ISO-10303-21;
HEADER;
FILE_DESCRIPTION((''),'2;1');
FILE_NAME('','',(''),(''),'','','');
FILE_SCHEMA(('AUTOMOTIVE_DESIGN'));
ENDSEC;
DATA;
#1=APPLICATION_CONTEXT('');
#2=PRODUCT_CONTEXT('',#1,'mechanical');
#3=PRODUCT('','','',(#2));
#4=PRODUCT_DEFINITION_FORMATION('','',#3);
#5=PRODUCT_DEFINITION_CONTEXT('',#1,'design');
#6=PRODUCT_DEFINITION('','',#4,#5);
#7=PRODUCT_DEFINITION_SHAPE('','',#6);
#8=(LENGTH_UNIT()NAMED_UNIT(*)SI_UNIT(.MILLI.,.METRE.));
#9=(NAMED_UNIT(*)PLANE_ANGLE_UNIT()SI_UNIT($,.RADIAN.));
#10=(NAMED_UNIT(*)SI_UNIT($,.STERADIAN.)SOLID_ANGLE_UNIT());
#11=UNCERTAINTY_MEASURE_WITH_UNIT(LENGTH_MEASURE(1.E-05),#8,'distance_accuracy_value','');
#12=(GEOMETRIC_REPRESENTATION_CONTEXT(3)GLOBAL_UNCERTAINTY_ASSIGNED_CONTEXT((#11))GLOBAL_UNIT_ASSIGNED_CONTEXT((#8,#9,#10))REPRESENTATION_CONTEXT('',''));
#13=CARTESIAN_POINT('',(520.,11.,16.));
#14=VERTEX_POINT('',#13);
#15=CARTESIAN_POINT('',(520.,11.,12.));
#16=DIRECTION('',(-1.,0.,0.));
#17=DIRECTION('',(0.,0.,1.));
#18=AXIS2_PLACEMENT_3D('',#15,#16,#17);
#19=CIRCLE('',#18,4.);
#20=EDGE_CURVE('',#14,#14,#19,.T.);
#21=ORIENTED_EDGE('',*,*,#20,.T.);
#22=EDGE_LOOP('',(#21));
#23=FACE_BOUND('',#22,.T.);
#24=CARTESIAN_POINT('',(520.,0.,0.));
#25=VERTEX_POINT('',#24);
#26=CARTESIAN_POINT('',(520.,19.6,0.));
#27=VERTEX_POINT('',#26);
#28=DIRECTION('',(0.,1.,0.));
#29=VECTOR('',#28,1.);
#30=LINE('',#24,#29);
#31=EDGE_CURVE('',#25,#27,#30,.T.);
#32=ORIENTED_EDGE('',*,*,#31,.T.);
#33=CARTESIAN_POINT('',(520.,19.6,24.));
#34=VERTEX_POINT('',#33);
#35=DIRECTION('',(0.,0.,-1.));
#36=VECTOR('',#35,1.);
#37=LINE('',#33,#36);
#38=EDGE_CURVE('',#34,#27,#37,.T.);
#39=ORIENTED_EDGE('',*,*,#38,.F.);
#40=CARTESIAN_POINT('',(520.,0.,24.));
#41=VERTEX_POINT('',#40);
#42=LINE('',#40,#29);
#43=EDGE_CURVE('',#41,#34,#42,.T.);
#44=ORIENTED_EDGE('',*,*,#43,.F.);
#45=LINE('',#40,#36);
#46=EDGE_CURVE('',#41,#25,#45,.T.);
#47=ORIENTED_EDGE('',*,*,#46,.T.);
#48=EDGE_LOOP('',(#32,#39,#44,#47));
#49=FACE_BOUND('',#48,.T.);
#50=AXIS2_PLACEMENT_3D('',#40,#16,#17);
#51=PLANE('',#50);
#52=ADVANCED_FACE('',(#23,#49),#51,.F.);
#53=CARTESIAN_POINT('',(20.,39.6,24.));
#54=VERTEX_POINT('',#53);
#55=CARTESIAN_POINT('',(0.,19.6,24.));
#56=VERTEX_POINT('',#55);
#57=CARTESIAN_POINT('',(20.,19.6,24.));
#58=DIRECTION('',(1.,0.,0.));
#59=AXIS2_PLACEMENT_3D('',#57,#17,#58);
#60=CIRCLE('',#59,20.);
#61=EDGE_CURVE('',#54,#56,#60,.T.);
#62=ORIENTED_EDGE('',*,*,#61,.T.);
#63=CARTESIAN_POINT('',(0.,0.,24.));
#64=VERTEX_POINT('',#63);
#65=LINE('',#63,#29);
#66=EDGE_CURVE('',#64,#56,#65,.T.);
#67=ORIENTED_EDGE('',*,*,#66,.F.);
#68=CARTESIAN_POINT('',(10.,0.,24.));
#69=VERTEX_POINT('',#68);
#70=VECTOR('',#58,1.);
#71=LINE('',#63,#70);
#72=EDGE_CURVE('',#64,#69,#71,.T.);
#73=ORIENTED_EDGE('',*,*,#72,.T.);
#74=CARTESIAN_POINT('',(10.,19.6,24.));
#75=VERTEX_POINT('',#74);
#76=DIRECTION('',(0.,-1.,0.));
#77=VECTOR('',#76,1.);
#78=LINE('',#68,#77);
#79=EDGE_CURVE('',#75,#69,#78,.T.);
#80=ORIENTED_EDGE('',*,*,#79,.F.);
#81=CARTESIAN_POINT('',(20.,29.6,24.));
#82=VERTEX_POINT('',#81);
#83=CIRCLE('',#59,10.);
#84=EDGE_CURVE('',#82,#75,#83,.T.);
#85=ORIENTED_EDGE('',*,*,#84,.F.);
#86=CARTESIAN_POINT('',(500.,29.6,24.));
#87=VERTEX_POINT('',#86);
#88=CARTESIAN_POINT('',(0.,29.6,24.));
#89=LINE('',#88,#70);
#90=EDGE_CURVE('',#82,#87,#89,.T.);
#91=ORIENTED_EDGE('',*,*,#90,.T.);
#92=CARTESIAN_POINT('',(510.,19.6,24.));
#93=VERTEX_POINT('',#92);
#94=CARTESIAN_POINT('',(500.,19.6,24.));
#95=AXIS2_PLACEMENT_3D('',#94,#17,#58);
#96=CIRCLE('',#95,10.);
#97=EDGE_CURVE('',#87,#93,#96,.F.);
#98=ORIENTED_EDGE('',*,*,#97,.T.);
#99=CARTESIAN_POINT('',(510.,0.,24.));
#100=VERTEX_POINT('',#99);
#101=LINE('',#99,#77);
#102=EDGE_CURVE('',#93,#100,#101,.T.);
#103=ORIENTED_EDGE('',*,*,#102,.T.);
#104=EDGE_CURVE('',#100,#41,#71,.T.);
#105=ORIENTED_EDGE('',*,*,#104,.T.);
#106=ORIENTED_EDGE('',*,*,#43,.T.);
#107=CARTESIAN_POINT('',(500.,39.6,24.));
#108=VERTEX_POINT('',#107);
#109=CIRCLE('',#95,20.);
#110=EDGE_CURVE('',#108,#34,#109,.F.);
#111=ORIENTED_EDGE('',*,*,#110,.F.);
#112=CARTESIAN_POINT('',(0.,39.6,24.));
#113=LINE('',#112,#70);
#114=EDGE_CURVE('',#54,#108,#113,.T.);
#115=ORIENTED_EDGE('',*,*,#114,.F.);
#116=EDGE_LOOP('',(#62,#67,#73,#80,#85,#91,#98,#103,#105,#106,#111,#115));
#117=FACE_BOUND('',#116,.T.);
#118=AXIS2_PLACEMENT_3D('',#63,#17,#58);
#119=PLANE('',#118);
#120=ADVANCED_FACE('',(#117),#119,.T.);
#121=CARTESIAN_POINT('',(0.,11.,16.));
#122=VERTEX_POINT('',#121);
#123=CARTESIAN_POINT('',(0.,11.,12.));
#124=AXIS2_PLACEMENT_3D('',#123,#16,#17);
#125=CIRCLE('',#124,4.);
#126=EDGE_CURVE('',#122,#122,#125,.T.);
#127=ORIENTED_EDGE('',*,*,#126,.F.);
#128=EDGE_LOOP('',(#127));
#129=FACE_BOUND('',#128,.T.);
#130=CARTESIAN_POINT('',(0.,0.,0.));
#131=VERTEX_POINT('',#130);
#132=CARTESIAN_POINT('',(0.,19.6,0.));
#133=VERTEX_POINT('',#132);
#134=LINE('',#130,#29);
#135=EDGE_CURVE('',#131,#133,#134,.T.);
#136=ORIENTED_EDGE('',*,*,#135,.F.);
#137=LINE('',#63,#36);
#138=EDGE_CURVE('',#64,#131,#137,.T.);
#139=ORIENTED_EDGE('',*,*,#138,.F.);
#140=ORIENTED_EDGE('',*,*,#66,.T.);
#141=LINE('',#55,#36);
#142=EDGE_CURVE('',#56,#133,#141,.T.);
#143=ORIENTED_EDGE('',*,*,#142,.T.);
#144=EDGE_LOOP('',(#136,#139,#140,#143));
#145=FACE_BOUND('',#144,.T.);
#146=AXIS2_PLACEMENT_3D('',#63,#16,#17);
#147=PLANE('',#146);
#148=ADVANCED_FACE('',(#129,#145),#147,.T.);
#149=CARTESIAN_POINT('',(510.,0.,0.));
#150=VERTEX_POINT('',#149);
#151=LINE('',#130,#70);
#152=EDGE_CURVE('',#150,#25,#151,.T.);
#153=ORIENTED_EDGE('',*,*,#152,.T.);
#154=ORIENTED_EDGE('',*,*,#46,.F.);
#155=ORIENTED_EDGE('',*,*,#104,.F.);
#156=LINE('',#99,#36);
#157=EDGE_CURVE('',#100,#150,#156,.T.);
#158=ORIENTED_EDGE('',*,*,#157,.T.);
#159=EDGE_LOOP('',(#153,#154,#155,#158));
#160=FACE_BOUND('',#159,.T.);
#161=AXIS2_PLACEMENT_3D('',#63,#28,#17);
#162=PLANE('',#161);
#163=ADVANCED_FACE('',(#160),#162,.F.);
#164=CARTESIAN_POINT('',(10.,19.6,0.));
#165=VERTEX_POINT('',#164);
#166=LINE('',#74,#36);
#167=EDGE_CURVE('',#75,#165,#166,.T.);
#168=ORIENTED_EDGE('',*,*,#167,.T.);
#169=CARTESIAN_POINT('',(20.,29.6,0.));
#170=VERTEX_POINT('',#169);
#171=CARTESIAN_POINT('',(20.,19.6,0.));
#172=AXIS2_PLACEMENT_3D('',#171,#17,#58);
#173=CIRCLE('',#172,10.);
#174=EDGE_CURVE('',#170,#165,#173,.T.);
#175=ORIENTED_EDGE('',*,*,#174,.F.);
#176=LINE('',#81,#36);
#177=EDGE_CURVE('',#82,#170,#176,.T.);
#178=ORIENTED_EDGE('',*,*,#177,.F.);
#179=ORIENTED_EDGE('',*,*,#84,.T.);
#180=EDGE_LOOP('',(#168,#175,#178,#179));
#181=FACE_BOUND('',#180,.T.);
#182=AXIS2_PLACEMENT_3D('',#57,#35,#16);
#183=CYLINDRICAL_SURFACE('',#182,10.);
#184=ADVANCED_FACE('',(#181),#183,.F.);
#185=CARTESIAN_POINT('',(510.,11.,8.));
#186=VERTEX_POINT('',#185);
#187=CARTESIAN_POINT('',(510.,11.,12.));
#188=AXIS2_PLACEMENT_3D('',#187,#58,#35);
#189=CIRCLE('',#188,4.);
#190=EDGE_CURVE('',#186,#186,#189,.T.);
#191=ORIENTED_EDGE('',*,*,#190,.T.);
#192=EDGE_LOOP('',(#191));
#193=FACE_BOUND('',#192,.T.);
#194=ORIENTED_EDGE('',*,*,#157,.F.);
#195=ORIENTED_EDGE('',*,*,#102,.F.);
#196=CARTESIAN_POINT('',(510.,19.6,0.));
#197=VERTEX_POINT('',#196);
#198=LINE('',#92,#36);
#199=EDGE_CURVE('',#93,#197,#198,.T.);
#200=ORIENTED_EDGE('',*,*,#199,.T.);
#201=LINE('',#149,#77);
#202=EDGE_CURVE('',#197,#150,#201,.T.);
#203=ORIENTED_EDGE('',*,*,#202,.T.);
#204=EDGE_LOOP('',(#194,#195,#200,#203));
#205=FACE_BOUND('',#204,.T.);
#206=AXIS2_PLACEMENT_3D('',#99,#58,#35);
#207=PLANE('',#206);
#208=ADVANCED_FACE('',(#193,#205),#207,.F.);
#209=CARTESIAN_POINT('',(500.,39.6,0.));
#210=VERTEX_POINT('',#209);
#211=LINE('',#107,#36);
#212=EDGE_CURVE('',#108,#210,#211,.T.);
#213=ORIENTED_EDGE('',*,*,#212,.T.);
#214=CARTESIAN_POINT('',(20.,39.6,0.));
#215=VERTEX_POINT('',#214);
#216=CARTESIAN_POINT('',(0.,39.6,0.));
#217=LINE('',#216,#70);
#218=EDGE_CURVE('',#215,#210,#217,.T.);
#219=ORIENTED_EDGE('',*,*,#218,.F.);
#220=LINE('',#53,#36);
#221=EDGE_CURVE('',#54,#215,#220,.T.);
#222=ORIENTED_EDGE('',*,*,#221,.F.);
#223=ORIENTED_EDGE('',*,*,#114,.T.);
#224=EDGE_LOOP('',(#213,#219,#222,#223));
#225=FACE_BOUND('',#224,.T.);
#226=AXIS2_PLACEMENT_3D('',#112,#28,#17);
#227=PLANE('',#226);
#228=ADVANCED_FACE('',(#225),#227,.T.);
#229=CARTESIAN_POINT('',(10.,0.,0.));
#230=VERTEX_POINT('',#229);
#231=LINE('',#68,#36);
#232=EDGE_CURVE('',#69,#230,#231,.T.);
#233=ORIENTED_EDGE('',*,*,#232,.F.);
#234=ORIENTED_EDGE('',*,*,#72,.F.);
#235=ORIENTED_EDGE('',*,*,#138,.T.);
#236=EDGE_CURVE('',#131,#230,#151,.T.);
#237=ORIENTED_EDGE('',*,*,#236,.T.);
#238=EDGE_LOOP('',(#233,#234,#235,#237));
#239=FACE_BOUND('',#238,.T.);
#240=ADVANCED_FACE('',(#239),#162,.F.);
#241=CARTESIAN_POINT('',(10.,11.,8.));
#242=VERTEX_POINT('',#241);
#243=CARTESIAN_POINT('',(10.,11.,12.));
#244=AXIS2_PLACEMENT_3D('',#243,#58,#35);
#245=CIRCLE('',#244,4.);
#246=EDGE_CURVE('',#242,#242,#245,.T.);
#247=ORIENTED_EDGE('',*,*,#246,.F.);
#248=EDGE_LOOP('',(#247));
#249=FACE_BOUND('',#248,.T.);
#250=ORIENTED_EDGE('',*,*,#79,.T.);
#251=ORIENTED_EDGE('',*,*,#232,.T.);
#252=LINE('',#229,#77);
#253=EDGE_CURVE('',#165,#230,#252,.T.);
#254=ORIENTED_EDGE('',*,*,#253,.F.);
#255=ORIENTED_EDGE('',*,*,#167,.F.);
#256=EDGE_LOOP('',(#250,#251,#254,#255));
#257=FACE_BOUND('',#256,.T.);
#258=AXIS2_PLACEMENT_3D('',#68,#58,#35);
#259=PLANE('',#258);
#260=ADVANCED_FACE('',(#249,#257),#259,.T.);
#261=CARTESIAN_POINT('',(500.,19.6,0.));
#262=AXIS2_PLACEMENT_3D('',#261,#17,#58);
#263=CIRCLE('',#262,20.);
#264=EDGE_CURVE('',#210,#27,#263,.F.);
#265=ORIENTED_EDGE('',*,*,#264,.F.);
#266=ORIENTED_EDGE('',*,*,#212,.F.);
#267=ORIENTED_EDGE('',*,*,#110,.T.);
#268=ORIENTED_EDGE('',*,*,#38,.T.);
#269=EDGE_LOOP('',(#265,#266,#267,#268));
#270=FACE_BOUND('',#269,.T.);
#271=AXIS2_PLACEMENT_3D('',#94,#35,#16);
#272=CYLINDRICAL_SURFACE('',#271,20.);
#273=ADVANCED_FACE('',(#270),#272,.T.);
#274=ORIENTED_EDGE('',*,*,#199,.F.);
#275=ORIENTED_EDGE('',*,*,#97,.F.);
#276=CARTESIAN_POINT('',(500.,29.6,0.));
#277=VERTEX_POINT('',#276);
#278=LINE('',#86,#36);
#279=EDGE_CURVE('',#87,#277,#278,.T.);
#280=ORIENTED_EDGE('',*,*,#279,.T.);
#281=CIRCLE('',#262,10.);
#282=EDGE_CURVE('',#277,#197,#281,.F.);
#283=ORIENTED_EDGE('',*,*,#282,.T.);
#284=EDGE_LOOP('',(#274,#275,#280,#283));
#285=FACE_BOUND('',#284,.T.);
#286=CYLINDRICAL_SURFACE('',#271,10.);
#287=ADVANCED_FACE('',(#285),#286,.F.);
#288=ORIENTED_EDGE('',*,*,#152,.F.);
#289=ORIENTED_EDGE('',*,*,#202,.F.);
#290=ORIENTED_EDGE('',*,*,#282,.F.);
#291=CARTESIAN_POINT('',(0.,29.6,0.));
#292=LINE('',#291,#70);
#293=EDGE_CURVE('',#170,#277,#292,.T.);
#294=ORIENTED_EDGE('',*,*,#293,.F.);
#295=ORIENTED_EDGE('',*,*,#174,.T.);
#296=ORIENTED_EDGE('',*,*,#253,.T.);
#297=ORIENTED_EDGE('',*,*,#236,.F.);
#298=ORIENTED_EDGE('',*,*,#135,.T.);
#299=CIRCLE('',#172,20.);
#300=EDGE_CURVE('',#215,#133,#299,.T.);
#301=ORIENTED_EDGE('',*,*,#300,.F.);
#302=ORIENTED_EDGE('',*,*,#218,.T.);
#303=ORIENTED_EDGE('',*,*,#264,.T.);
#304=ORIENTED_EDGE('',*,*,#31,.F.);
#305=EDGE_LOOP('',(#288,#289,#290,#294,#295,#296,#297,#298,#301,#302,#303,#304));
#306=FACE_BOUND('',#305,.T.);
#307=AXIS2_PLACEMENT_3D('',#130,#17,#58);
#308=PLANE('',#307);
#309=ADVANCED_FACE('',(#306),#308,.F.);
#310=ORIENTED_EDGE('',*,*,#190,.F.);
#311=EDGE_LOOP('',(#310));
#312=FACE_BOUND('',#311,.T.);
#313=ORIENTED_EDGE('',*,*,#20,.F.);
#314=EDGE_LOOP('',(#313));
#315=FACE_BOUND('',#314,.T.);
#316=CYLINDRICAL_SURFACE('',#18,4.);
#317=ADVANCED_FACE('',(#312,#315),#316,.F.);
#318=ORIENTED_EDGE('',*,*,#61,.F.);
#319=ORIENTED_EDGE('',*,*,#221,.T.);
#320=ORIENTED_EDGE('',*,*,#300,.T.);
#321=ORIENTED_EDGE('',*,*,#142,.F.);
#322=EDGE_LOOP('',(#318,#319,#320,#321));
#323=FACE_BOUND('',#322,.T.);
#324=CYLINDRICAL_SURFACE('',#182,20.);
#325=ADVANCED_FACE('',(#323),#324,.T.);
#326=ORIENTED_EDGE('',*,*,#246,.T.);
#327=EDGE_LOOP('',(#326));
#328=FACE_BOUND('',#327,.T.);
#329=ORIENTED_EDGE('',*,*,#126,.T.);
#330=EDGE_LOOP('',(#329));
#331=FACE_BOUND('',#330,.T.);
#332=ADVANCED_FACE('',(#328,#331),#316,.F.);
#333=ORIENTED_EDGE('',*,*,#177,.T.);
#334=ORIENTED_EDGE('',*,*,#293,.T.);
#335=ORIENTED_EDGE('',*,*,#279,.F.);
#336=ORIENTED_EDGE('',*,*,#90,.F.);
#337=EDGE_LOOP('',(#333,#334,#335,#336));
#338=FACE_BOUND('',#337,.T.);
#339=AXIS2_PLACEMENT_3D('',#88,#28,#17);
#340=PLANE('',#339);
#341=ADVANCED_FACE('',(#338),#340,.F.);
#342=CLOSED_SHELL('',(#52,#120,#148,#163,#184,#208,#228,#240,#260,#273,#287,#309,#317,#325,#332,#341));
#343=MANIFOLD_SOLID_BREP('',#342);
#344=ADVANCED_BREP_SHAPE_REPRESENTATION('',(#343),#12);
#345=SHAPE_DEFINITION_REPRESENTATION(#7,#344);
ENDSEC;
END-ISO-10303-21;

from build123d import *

# Parameters (mm, degrees)
BOSS_EXTRUDE2_DEPTH = 24
SKETCH2_R           = 4
CUT_EXTRUDE1_DEPTH  = 523.057621341


with BuildPart() as part:
    # Sketch1 → Boss-Extrude2 (new body)
    with BuildSketch(Plane.XY):
        with BuildLine():
            Line((20, 29.6), (500, 29.6))
            ThreePointArc((500, 29.6), (507.071067812, 26.671067812), (510, 19.6))
            Line((510, 19.6), (510, 0))
            Line((510, 0), (520, 0))
            Line((520, 0), (520, 19.6))
            ThreePointArc((520, 19.6), (514.142135624, 33.742135624), (500, 39.6))
            Line((500, 39.6), (20, 39.6))
            ThreePointArc((20, 39.6), (5.857864376, 33.742135624), (0, 19.6))
            Line((0, 19.6), (0, 0))
            Line((0, 0), (10, 0))
            Line((10, 0), (10, 19.6))
            ThreePointArc((10, 19.6), (12.928932188, 26.671067812), (20, 29.6))
        make_face()
    extrude(amount=BOSS_EXTRUDE2_DEPTH)

    # Sketch2 → Cut-Extrude1 (cut, through all)
    with BuildSketch(Plane.ZY):
        with Locations((12, 11)):
            Circle(SKETCH2_R)
    extrude(amount=-CUT_EXTRUDE1_DEPTH, mode=Mode.SUBTRACT)


solid = part.part
